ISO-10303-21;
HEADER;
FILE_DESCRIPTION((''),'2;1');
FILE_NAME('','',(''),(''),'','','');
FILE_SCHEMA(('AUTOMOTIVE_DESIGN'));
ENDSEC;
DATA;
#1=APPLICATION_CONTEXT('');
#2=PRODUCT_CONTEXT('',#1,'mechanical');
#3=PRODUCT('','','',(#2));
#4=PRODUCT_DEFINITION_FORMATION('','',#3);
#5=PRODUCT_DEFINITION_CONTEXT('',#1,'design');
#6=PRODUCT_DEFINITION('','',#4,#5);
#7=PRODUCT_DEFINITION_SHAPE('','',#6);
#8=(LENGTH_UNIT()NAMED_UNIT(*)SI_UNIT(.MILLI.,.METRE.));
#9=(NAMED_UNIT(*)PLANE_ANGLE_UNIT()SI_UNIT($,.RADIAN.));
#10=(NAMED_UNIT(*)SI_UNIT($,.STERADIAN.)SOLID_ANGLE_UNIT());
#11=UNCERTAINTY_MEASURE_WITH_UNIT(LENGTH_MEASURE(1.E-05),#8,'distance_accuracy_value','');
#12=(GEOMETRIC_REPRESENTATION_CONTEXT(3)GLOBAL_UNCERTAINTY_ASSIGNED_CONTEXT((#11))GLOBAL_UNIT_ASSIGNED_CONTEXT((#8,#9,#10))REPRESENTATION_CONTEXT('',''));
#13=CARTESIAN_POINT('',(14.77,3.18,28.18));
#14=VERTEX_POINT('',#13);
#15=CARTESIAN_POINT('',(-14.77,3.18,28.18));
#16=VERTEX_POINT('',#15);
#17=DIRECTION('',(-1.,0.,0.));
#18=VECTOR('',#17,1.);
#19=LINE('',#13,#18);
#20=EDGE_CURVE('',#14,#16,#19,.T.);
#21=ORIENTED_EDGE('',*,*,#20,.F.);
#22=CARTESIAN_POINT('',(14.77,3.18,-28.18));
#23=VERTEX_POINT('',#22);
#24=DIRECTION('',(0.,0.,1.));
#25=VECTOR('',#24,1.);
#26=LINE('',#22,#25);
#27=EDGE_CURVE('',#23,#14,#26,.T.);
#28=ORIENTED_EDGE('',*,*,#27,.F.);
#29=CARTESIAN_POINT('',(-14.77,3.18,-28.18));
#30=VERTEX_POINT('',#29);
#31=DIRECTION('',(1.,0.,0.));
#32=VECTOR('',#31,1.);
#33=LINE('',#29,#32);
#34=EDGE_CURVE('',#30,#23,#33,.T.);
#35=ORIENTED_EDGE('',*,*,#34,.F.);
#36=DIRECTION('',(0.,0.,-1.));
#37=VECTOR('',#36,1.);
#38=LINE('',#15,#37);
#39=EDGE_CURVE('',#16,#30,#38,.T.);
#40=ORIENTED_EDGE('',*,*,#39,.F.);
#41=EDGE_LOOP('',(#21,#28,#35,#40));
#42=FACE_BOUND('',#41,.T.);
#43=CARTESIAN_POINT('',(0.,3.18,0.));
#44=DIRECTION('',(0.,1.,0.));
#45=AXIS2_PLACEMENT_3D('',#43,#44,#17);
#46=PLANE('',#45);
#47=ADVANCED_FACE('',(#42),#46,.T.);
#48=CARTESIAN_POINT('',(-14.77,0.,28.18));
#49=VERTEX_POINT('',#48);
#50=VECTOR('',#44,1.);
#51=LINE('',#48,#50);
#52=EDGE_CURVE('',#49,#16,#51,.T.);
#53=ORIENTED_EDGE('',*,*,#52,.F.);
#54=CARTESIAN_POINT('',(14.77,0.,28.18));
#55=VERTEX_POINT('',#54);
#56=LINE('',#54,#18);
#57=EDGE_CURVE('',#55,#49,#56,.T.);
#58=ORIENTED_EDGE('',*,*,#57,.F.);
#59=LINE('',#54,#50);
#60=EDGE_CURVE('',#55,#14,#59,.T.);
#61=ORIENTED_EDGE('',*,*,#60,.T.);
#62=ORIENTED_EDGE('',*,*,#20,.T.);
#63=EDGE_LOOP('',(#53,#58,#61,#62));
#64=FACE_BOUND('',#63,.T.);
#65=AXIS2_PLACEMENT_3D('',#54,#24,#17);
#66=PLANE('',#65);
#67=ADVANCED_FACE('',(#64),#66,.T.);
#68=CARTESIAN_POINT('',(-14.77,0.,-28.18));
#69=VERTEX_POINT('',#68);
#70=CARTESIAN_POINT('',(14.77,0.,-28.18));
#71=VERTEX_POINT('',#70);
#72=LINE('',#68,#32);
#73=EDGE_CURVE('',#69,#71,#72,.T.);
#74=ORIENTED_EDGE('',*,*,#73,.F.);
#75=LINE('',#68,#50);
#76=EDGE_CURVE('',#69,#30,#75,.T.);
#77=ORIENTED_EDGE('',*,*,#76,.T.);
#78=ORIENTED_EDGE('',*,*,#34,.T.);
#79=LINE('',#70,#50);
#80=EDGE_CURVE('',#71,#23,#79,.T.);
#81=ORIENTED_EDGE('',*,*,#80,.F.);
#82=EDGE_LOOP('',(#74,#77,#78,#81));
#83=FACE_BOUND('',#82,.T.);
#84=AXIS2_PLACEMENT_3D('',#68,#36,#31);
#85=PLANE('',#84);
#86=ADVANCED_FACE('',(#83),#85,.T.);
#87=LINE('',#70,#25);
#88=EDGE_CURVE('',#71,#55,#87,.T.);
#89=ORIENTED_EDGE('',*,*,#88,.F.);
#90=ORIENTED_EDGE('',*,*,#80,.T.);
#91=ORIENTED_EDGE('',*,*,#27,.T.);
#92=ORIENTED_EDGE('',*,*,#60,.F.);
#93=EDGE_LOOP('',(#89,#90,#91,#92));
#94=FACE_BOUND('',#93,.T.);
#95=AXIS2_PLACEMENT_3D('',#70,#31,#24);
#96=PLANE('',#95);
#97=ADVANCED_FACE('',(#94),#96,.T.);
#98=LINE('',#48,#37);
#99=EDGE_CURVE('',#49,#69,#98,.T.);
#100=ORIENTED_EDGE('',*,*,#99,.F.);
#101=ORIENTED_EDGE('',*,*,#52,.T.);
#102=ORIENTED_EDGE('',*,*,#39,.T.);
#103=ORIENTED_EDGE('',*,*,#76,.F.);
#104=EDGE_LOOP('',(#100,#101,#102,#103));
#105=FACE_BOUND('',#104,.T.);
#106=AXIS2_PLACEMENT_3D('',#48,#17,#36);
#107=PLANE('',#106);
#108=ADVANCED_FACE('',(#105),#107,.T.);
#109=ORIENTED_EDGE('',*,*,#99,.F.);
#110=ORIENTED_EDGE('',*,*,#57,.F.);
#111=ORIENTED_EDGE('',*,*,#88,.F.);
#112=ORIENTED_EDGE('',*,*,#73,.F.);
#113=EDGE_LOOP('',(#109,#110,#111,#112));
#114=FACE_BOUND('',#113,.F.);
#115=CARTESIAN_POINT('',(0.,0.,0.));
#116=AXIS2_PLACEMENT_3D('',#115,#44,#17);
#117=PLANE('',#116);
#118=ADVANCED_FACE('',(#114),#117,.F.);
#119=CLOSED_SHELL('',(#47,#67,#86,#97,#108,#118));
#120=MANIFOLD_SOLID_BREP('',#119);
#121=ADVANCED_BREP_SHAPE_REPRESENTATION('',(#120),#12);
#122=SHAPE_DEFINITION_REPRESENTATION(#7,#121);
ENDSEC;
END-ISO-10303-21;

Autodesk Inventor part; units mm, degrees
ref_plane "YZ Plane" through (0, 0, 0) normal (1, 0, 0) x (0, 1, 0)
ref_plane "XZ Plane" through (0, 0, 0) normal (0, 1, 0) x (-1, 0, 0)
ref_plane "XY Plane" through (0, 0, 0) normal (0, 0, 1) x (1, 0, 0)
sketch "Sketch1" plane through (0, 0, 0) normal (0, 1, 0) x (-1, 0, 0)
  line L0 (-14.77, 28.18) -> (14.77, 28.18)
  line L1 (14.77, 28.18) -> (14.77, -28.18)
  line L2 (14.77, -28.18) -> (-14.77, -28.18)
  line L3 (-14.77, -28.18) -> (-14.77, 28.18)
  line L4 (-14.77, 28.18) -> (14.77, -28.18) construction
  line L5 (14.77, 28.18) -> (-14.77, -28.18) construction
  point P0 (0, 0)
  dimension "d0" = 56.36
  dimension "d1" = 29.54
extrude "Extrusion1" add sketch "Sketch1" along normal blind 3.18
properties part number "Hombro_tapapeq"
